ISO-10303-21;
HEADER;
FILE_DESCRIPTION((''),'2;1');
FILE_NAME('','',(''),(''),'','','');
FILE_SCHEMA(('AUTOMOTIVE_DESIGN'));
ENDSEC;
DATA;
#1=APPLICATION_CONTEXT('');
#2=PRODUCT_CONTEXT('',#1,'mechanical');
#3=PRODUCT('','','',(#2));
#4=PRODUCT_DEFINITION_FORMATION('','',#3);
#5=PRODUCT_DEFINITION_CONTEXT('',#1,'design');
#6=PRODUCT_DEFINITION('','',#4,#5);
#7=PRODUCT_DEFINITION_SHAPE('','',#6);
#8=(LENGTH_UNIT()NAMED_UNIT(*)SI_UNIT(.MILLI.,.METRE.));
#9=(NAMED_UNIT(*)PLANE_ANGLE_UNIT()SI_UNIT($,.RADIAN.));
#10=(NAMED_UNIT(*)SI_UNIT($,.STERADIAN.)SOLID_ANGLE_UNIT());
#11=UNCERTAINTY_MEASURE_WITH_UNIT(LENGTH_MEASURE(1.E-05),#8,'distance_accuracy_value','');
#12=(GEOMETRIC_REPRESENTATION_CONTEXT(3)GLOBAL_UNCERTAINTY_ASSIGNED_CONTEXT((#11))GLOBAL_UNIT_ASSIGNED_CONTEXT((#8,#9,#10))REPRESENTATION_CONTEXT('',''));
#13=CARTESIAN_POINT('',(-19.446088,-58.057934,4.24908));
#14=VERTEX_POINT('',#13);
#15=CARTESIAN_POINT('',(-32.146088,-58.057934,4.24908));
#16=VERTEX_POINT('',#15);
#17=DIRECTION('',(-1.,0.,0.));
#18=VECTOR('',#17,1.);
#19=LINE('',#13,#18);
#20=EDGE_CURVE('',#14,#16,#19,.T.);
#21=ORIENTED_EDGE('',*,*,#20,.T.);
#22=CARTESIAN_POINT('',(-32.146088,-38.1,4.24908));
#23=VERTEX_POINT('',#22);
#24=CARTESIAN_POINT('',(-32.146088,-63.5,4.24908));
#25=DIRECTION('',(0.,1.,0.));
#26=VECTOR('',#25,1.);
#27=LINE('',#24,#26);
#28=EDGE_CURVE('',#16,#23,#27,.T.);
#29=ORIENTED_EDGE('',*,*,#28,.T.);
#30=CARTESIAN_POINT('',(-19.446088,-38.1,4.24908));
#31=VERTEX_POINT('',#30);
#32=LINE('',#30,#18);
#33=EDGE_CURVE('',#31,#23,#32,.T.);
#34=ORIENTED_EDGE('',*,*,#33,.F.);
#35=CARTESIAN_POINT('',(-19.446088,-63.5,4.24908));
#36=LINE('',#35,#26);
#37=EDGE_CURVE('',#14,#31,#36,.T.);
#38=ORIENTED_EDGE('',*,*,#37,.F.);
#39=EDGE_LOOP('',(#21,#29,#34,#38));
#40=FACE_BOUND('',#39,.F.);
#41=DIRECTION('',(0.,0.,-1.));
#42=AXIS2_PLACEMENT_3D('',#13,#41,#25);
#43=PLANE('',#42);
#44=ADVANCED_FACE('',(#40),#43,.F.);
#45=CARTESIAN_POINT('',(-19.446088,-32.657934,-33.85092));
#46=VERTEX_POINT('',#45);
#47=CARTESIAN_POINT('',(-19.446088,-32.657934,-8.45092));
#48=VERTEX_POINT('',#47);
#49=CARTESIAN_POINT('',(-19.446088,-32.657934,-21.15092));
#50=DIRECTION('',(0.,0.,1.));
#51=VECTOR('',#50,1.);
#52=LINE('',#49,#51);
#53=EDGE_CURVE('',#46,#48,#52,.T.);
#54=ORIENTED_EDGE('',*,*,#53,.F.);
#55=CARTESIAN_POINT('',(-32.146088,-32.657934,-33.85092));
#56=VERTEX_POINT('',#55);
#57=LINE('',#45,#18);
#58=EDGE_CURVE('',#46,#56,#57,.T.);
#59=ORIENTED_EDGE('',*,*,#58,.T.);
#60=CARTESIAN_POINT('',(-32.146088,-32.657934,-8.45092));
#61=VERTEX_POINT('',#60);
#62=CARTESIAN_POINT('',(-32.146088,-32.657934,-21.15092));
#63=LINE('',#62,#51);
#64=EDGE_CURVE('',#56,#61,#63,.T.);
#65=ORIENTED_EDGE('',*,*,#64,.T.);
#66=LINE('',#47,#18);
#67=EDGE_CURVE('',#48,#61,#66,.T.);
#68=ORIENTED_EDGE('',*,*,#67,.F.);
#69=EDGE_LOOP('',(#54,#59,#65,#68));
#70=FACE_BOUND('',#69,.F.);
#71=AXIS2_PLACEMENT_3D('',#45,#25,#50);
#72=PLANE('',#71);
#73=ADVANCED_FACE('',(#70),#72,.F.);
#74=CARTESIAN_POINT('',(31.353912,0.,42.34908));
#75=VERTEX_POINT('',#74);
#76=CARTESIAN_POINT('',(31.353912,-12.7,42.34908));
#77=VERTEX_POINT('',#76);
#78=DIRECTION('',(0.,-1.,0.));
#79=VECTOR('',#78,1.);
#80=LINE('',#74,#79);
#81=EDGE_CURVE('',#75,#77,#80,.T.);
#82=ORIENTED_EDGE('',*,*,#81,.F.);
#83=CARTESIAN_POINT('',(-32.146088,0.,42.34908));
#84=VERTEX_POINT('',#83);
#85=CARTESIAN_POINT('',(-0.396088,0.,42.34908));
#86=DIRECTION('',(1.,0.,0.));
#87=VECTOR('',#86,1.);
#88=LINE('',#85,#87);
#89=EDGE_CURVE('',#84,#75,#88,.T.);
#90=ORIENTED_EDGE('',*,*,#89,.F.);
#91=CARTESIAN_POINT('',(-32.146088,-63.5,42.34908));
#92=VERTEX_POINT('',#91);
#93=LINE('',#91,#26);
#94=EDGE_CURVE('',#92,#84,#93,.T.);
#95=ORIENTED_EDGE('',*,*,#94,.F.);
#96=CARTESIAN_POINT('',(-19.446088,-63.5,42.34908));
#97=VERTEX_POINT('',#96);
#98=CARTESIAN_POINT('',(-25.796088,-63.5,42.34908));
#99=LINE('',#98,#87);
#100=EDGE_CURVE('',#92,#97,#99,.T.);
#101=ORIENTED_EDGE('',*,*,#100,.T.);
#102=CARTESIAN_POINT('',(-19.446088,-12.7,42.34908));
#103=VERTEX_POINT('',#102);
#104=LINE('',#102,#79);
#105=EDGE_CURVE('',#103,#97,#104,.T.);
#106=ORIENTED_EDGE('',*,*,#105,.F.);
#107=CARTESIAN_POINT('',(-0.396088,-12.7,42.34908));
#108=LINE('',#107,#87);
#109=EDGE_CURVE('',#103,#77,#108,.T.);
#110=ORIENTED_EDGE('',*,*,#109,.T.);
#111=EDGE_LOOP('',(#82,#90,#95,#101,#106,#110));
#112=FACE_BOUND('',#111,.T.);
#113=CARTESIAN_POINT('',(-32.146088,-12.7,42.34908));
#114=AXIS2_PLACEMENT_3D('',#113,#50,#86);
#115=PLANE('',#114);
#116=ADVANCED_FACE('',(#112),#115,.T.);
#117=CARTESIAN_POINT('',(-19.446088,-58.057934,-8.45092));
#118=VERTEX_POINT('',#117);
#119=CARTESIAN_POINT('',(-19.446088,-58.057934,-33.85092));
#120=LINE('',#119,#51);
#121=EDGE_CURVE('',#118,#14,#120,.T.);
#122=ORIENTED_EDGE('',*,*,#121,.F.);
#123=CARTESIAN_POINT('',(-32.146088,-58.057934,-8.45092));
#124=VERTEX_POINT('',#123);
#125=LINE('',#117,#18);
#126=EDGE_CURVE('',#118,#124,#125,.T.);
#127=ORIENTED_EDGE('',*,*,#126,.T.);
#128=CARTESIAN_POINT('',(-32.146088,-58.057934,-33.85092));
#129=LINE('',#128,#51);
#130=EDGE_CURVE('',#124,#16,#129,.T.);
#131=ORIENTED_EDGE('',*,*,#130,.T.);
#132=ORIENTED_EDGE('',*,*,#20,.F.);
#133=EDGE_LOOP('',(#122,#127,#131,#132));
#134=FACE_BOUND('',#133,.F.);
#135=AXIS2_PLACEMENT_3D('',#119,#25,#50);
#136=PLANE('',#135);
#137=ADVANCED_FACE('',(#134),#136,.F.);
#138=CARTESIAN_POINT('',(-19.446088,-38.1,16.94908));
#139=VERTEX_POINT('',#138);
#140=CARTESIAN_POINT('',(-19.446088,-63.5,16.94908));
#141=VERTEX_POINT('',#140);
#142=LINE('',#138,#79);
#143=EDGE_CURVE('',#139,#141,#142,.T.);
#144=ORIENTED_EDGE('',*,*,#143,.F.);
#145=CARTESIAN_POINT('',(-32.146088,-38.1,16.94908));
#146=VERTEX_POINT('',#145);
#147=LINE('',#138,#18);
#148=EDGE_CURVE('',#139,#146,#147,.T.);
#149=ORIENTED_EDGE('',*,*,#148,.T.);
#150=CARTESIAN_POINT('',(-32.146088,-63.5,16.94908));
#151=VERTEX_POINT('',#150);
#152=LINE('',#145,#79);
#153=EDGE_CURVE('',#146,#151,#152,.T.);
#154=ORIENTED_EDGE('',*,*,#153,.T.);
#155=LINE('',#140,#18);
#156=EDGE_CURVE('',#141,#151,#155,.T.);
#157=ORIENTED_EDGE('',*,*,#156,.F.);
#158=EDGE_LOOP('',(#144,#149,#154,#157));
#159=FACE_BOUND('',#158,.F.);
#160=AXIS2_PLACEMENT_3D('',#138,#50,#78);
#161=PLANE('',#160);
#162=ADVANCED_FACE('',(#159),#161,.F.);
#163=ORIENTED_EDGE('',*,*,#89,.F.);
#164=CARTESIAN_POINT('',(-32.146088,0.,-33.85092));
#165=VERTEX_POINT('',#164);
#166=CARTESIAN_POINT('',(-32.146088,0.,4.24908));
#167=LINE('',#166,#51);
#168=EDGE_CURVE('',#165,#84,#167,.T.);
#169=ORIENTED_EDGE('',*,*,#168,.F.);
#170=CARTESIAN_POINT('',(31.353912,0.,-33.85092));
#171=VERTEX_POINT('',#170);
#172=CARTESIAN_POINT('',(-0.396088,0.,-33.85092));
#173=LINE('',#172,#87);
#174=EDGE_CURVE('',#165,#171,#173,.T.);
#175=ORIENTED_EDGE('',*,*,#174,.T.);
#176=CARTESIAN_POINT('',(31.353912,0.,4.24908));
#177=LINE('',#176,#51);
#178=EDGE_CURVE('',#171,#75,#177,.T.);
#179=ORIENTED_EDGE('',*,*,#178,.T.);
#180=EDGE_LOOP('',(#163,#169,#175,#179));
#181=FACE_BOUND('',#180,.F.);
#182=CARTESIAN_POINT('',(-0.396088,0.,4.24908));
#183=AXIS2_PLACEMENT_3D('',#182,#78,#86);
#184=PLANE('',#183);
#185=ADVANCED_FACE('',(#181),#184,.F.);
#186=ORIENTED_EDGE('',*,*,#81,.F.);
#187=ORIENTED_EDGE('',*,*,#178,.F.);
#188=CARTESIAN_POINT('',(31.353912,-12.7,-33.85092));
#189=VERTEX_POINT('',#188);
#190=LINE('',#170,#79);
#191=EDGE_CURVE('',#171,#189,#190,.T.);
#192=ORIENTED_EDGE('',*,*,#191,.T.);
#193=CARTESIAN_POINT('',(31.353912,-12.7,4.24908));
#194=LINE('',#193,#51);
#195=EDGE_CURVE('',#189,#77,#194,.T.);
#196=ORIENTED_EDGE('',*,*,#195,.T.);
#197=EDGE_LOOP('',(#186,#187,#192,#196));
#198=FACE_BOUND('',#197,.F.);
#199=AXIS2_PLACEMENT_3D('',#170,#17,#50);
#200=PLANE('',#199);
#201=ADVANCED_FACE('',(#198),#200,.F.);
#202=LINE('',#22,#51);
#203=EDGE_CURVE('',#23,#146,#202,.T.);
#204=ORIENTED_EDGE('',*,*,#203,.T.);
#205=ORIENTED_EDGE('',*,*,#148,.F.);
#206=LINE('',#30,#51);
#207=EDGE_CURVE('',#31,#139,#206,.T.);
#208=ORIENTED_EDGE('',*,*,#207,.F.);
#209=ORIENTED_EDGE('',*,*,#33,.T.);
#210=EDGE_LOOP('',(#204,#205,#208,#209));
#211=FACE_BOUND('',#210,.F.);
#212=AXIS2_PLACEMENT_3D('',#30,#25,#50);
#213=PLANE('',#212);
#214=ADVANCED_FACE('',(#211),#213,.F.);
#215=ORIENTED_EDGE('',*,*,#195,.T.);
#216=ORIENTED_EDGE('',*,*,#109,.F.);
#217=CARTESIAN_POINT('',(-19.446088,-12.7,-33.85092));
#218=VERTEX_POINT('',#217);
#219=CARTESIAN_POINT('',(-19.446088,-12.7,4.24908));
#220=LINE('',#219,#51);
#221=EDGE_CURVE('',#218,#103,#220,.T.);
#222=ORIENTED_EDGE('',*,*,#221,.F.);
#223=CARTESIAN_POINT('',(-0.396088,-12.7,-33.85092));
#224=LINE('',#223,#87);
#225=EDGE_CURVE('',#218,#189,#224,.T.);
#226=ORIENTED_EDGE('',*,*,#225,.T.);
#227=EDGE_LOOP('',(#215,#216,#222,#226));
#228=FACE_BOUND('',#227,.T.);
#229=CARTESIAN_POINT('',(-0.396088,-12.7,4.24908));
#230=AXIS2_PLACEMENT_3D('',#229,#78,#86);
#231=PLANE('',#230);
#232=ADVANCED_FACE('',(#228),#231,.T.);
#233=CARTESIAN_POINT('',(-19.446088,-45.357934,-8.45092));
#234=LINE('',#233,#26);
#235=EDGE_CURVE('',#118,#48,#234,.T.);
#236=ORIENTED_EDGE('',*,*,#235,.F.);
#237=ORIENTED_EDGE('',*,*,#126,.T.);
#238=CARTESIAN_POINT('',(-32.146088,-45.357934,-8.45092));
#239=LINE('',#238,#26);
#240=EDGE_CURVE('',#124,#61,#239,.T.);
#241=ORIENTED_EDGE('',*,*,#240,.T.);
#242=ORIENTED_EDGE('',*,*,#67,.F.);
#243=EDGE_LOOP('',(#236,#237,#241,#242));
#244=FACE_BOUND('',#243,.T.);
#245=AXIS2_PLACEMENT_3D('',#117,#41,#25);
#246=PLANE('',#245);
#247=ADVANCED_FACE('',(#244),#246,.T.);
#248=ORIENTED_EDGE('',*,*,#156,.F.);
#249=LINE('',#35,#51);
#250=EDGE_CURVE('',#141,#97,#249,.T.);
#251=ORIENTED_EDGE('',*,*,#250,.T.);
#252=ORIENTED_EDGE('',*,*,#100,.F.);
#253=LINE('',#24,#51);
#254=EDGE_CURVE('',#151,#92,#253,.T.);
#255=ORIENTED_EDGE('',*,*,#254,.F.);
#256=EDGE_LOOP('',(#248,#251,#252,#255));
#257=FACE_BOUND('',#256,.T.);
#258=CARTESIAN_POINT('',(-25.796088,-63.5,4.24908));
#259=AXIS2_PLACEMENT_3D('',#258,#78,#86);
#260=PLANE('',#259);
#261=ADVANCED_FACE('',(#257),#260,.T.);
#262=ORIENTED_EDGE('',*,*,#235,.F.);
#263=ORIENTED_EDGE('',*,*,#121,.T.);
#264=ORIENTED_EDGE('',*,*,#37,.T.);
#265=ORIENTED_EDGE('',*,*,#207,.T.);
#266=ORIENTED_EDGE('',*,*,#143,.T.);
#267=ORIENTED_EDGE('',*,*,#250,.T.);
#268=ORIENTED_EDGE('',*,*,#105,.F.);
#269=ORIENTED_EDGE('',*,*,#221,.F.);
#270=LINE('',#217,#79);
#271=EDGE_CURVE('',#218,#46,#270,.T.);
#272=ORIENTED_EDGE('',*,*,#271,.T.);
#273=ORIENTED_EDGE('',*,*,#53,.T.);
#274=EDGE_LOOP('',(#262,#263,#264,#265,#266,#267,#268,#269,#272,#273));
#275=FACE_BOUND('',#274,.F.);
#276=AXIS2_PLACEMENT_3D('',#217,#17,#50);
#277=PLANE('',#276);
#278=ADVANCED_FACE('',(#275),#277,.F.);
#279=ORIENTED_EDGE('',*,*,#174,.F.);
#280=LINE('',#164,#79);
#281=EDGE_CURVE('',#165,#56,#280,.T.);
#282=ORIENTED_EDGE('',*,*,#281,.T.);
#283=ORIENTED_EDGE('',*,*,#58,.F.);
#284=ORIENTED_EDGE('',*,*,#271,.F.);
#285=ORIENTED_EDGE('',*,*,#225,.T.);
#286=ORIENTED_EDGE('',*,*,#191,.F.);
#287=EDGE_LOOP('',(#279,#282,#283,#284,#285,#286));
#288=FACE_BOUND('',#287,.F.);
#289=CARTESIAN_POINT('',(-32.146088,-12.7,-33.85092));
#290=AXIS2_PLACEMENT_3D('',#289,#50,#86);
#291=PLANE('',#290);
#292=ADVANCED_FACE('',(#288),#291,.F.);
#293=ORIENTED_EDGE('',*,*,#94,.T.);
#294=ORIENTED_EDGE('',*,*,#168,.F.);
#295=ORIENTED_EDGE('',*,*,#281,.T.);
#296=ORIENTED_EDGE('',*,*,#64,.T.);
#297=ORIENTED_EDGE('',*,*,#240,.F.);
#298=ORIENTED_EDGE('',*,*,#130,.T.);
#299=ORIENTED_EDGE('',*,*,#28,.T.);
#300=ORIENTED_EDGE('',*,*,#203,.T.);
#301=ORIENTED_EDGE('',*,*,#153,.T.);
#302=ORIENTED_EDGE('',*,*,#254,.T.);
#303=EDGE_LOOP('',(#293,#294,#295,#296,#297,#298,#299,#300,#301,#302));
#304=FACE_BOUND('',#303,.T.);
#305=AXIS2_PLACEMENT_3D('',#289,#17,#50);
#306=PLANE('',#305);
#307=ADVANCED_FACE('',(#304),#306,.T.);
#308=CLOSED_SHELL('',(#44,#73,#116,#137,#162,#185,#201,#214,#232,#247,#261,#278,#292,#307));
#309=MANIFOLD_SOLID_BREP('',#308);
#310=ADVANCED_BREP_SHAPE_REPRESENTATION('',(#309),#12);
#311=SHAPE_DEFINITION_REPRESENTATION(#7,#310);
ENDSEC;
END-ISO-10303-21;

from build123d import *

# Parameters (mm, degrees)
F0_W     = 63.5
F0_H     = 76.2
F1_DEPTH = 12.7
F2_W     = 12.7
F2_H     = 76.2
F3_DEPTH = 50.8
F4_W     = 5.442066
F4_H     = 25.4
F4_H_2   = 12.7
F5_DEPTH = 12.7
F6_W     = 25.4
F6_H     = 25.4
F7_DEPTH = 12.7


with BuildPart() as f1:
    # F0 (on Front) → F1 (new body)
    with BuildSketch(Plane.XZ):
        with Locations((-0.396088, 4.24908)):
            Rectangle(F0_W, F0_H)
    extrude(amount=F1_DEPTH)

    # F2 (on face) → F3 (join)
    with BuildSketch(Plane.XZ.offset(12.7)):
        with Locations((-25.796088, 4.24908)):
            Rectangle(F2_W, F2_H)
    extrude(amount=F3_DEPTH)

    # F4 (on face) → F5 (cut)
    with BuildSketch(Plane.YZ.offset(-19.446088)):
        Polygon((-38.1, 16.94908), (-63.5, 16.94908), (-63.5, 4.24908), (-58.057934, 4.24908), (-38.1, 4.24908), align=None)
        with Locations((-60.778967, -8.45092)):
            Rectangle(F4_W, F4_H)
        with Locations((-60.778967, -27.50092)):
            Rectangle(F4_W, F4_H_2)
    extrude(amount=-F5_DEPTH, mode=Mode.SUBTRACT)

    # F6 (on face) → F7 (cut)
    with BuildSketch(Plane.YZ.offset(-19.446088)):
        with Locations((-45.357934, -21.15092)):
            Rectangle(F6_W, F6_H)
    extrude(amount=-F7_DEPTH, mode=Mode.SUBTRACT)


solid = f1.part
